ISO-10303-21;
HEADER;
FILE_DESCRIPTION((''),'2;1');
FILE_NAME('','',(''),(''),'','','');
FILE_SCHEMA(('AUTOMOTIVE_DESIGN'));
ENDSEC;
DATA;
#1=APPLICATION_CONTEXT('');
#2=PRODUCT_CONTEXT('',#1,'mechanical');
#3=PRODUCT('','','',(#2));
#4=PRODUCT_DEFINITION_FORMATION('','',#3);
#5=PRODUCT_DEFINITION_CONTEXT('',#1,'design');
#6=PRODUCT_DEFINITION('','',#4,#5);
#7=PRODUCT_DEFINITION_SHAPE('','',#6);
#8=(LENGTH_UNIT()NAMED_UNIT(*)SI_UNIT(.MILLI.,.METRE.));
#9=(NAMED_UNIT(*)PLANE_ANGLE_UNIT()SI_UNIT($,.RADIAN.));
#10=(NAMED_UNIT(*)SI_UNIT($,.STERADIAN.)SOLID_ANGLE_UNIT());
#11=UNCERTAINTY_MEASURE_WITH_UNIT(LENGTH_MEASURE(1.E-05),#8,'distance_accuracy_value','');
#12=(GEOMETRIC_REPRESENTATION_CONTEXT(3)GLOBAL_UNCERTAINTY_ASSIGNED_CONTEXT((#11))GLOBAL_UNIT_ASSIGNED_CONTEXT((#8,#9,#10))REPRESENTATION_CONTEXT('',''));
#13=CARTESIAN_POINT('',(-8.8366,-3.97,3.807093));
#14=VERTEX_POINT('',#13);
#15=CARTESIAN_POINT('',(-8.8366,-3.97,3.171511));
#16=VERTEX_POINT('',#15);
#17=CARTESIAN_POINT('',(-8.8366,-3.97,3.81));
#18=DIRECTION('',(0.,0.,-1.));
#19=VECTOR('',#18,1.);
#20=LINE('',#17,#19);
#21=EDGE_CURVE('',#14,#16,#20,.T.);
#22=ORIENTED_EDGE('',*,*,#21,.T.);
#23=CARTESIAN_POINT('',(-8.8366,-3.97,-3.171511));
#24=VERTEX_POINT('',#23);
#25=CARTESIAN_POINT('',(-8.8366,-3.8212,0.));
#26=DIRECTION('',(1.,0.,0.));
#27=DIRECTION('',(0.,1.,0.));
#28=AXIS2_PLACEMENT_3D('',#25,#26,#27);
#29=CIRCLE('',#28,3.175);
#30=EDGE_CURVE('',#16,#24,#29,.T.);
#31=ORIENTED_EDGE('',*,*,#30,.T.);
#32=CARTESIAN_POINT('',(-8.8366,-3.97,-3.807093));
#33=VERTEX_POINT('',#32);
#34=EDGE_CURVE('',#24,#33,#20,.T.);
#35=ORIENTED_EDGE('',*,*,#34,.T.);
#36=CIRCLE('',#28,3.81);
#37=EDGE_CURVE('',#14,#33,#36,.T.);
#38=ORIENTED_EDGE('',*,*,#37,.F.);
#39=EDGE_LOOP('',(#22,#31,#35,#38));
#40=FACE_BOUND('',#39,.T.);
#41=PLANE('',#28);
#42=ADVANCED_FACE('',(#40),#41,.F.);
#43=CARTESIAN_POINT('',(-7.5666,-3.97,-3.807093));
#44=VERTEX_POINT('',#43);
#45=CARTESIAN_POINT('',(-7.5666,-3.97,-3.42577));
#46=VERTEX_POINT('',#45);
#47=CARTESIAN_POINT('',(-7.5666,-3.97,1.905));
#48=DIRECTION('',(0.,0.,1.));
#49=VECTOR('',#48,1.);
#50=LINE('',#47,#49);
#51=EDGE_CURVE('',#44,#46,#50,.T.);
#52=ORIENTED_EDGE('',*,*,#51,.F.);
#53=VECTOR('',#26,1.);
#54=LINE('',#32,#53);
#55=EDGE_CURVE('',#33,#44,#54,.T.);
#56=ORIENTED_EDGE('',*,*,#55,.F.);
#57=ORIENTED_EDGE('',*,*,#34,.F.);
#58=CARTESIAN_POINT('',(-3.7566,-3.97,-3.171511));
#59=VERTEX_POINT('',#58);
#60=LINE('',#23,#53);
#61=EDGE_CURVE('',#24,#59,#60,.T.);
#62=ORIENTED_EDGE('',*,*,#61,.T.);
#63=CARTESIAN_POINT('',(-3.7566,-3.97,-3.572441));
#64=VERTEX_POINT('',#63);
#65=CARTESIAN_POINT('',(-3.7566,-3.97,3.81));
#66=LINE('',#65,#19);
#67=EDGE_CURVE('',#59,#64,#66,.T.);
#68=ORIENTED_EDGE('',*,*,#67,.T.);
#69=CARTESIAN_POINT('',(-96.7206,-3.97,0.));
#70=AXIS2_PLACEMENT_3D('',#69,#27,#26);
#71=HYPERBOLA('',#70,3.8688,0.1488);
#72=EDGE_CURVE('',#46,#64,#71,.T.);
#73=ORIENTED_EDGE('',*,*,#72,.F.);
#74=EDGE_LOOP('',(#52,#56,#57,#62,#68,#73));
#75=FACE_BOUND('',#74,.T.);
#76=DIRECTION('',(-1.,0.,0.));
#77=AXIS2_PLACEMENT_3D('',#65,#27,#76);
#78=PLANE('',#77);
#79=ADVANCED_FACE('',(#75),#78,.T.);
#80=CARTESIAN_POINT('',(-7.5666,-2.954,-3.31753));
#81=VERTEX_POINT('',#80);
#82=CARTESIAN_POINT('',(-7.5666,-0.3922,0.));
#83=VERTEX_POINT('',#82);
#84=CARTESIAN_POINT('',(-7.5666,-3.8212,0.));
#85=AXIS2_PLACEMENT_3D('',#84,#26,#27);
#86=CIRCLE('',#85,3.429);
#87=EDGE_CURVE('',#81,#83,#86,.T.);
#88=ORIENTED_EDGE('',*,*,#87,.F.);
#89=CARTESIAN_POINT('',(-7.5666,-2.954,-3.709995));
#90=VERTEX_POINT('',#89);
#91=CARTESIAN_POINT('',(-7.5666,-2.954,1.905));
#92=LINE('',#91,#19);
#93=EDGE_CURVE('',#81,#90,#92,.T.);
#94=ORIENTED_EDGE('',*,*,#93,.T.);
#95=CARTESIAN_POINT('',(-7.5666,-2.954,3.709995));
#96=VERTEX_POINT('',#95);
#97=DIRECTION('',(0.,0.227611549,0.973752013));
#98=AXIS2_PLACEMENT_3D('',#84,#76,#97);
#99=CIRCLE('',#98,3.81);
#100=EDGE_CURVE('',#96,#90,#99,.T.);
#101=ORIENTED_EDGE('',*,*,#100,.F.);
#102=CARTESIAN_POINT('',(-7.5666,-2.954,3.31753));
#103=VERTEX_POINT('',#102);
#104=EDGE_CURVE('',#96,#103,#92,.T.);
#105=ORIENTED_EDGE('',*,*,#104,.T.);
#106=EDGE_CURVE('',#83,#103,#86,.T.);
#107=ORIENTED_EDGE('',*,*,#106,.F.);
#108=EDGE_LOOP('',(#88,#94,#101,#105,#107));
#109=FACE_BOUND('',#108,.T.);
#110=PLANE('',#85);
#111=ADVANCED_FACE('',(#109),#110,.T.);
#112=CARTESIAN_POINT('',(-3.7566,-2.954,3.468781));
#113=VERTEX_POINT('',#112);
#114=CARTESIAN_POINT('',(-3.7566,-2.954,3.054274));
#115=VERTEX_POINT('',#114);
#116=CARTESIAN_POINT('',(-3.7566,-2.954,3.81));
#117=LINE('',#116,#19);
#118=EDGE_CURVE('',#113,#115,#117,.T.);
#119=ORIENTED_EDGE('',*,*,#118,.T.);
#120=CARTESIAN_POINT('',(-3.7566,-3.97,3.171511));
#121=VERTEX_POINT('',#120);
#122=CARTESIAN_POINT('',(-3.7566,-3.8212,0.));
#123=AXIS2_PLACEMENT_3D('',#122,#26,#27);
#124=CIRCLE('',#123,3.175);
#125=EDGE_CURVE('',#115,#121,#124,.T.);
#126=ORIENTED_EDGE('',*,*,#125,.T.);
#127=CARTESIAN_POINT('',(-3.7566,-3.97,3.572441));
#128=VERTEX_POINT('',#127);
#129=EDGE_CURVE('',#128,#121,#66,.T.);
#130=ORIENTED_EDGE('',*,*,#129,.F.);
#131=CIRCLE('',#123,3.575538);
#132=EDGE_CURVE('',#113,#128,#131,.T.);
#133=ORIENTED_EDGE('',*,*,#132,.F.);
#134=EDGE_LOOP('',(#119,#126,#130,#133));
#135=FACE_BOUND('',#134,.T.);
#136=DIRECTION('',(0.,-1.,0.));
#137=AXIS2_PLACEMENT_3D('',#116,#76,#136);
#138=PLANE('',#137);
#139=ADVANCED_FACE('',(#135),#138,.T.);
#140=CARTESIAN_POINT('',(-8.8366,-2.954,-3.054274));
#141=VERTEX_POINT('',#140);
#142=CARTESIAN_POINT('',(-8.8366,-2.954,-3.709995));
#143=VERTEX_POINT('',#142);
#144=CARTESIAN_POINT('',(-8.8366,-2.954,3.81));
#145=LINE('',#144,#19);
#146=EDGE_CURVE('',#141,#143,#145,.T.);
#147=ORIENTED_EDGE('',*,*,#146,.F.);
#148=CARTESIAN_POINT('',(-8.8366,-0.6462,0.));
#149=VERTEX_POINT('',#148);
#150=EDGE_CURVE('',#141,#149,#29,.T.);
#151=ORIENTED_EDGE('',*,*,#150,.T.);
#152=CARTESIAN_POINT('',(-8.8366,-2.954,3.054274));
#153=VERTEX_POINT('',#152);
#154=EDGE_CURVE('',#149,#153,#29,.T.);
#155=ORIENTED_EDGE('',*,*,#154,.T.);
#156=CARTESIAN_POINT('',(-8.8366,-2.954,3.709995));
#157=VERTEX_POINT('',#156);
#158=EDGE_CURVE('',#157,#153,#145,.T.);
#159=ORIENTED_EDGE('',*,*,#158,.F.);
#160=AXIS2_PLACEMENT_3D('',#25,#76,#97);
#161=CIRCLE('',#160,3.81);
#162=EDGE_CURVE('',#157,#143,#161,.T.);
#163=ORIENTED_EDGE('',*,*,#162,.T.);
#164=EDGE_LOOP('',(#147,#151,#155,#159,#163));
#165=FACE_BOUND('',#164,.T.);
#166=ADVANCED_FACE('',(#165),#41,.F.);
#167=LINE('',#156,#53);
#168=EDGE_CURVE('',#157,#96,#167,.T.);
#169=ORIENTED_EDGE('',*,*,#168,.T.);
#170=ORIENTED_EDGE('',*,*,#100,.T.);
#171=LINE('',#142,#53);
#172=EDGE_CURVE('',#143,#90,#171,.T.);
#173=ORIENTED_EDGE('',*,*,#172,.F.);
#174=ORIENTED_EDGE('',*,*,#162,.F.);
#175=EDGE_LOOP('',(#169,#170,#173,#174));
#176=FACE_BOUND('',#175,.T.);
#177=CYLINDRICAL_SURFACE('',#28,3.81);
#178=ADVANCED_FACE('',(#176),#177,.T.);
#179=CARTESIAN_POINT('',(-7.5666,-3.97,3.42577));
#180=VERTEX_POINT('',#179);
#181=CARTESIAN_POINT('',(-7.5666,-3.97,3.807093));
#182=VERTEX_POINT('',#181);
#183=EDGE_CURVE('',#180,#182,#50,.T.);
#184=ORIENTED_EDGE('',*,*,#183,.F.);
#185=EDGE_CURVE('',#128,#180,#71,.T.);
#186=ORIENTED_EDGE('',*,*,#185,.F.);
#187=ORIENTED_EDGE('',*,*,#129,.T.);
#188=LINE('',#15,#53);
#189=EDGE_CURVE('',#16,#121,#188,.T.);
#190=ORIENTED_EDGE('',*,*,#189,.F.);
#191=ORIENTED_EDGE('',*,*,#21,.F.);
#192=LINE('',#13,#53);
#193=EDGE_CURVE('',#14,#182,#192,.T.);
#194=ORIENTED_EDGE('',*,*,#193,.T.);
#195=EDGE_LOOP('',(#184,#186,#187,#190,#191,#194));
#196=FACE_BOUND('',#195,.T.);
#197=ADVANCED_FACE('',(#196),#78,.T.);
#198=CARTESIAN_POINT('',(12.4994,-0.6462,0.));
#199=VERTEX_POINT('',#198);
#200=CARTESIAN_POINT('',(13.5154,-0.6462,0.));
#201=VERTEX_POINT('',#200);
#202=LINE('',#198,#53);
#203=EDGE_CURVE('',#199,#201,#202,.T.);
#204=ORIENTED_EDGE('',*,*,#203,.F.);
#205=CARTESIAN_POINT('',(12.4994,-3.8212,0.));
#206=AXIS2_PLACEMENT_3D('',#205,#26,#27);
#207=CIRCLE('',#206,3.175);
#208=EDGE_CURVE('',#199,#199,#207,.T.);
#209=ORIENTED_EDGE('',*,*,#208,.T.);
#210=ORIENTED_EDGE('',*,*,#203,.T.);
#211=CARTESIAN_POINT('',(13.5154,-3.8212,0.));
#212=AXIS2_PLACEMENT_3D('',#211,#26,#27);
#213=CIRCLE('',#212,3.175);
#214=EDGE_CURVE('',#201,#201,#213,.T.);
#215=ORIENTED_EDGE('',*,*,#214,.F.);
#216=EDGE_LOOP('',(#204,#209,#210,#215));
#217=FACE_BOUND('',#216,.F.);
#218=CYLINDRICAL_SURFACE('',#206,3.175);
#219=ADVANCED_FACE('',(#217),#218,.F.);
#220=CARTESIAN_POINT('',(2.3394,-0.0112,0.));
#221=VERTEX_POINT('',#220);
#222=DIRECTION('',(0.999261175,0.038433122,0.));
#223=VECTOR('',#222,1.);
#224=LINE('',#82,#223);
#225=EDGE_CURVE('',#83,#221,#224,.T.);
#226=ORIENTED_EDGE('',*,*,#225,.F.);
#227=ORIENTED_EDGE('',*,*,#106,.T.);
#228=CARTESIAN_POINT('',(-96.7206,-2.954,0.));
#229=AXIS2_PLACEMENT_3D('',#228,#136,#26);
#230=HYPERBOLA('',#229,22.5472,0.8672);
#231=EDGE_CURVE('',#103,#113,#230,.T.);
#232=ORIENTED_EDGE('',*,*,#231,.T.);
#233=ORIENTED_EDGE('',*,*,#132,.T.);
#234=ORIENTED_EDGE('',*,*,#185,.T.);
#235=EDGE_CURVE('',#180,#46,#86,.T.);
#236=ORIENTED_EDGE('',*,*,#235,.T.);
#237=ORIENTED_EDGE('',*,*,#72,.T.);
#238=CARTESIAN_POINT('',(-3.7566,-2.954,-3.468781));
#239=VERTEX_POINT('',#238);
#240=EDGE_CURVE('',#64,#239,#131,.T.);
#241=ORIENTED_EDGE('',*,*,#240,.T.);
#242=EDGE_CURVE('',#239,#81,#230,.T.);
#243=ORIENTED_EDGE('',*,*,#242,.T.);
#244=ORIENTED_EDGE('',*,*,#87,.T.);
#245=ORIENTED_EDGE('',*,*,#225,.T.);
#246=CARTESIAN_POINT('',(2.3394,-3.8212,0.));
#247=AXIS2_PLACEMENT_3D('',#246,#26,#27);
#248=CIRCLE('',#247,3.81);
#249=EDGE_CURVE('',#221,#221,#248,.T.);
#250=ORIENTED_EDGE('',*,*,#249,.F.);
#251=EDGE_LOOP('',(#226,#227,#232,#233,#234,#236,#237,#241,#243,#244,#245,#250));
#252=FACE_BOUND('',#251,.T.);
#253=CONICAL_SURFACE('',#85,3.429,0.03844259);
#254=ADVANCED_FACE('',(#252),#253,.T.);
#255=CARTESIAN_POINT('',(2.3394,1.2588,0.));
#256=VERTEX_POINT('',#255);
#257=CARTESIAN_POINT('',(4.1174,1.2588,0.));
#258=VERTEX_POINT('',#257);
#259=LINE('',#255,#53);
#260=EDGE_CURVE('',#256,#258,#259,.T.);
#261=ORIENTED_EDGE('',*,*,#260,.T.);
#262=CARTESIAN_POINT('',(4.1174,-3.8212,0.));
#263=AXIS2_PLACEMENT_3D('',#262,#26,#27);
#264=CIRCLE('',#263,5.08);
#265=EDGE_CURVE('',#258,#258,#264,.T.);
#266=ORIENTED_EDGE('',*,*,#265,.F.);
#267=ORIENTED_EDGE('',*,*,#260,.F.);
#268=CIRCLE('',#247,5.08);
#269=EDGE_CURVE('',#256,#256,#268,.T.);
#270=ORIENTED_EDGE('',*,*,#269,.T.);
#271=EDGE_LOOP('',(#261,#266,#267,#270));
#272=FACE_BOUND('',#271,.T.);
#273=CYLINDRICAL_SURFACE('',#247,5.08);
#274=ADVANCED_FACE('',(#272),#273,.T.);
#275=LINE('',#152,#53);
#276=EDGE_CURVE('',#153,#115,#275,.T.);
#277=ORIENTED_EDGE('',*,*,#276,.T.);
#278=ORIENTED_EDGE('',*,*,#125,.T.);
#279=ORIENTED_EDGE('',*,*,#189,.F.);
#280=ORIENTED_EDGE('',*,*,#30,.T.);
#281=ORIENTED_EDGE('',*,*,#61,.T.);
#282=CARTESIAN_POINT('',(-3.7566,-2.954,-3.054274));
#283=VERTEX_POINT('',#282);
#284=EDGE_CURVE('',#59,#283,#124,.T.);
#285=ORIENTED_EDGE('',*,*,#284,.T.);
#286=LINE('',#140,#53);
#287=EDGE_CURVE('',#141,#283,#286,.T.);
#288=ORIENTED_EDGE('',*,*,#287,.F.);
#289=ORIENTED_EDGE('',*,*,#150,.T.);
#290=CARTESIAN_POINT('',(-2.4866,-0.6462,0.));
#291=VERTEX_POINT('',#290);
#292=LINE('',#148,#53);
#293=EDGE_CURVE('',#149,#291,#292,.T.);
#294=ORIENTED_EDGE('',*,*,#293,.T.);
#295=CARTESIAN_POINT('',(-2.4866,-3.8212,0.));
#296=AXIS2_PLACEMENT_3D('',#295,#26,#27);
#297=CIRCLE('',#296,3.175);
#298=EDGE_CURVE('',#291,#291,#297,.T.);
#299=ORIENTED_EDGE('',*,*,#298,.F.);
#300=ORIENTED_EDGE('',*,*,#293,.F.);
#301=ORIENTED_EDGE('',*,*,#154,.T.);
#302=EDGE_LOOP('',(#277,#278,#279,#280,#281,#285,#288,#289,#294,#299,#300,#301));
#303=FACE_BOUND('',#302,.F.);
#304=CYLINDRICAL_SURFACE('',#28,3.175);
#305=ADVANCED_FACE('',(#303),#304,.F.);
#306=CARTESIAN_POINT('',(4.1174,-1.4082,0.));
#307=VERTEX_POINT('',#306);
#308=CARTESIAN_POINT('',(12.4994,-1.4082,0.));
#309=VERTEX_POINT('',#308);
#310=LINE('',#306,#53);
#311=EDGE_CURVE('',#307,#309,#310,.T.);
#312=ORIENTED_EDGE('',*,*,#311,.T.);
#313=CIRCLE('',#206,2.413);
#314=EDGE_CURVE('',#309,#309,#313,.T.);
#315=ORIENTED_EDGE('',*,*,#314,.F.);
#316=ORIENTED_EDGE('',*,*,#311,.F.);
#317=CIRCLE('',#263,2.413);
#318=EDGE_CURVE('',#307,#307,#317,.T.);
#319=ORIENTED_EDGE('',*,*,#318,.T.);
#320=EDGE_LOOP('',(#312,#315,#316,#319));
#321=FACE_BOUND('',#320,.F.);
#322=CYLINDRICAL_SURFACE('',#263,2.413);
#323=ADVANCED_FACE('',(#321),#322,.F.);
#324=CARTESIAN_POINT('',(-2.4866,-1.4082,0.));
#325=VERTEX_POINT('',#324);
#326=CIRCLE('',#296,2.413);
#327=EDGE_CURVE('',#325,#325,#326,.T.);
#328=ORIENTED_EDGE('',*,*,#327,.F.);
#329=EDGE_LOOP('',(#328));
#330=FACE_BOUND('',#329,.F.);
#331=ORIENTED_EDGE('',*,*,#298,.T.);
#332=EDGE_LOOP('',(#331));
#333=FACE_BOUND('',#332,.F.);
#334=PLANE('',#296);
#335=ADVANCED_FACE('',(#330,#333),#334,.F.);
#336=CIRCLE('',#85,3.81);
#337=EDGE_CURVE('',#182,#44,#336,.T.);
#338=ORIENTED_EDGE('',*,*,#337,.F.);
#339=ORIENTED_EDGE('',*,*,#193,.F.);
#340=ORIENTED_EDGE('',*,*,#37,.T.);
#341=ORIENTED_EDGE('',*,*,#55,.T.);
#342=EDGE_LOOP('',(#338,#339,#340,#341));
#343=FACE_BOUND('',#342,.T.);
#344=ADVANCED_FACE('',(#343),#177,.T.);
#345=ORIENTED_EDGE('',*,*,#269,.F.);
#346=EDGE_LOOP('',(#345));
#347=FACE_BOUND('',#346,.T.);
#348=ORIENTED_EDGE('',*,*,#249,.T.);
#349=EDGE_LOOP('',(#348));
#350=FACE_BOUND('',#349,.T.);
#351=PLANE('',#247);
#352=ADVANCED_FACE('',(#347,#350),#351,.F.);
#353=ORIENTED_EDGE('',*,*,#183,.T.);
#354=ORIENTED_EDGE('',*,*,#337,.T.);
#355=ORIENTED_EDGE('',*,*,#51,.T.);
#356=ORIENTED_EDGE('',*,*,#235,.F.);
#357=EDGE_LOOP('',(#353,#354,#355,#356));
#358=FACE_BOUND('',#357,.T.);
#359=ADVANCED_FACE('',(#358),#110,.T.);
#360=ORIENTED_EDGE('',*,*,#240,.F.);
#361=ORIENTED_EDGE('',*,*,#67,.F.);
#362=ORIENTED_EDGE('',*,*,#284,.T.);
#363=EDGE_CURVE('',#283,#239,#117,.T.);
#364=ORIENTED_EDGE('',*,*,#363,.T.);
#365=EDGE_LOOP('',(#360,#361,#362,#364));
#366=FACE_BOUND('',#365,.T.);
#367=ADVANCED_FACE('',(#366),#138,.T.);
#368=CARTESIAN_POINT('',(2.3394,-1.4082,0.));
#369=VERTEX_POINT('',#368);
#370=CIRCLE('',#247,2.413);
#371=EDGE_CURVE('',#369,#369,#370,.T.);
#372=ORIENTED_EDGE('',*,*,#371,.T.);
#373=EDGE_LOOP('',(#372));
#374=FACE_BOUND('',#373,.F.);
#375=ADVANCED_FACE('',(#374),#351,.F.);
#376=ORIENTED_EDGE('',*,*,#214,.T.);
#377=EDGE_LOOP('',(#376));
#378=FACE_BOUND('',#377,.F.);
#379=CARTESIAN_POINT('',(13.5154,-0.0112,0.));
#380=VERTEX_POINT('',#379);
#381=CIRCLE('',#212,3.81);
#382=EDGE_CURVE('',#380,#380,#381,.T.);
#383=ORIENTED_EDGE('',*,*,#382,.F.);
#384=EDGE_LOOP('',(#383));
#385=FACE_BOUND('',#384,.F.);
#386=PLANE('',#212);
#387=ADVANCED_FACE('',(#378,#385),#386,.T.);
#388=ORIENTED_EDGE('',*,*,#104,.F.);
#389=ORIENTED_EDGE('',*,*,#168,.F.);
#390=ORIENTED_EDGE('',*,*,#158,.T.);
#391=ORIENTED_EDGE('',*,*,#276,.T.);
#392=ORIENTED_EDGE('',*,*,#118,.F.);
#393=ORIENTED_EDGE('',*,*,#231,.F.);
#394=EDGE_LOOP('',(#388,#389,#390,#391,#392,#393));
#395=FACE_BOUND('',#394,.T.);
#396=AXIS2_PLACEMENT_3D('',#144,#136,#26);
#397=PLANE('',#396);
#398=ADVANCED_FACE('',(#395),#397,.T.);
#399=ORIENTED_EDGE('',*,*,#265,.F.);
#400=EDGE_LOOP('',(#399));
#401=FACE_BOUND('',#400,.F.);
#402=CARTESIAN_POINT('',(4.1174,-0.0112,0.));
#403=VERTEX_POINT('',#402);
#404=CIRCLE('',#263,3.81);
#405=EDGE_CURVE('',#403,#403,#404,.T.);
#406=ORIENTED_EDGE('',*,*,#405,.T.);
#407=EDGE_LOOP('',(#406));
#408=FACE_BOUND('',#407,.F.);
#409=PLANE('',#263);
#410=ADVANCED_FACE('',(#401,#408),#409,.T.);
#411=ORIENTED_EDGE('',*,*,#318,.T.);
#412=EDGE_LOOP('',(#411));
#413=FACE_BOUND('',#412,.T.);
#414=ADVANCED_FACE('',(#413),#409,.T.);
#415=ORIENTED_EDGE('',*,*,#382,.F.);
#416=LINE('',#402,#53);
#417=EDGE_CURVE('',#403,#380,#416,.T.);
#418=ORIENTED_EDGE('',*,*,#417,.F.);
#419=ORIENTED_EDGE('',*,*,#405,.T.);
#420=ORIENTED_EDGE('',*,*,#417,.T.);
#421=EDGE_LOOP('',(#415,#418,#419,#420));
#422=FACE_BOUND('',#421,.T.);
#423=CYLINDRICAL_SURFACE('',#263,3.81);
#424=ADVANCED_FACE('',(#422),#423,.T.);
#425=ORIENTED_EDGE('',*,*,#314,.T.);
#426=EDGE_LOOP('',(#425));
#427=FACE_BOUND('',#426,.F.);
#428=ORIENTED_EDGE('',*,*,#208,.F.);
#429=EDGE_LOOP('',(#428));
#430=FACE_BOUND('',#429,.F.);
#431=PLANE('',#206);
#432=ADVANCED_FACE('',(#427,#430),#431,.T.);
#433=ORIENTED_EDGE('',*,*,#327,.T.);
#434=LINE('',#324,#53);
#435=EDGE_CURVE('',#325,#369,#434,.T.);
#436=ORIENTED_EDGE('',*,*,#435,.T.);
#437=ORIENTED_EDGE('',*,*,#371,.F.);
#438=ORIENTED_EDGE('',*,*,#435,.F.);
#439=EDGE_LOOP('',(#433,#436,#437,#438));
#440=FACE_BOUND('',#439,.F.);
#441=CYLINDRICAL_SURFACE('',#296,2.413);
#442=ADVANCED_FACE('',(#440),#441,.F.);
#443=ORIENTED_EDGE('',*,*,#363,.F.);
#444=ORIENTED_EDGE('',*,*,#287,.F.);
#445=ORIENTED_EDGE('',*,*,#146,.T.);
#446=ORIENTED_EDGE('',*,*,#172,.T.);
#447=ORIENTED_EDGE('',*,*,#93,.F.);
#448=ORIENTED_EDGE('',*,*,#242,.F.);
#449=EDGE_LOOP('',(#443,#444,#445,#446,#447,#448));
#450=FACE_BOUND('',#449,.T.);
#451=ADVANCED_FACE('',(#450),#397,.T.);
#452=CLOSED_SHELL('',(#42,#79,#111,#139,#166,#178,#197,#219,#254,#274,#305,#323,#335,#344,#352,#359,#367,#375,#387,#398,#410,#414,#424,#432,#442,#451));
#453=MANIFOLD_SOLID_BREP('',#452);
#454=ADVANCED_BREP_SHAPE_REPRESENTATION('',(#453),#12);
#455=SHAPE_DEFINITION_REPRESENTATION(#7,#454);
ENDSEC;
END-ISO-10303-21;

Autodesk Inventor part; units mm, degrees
ref_plane "YZ Plane" through (0, 0, 0) normal (1, 0, 0) x (0, 1, 0)
ref_plane "XZ Plane" through (0, 0, 0) normal (0, 1, 0) x (-1, 0, 0)
sketch "Sketch1" plane through (0, 0, 0) normal (0, 0, 1) x (1, 0, 0)
  line L0 (-8.8366, -0.0112) -> (13.5154, -0.0112) construction
  line L1 (-8.8366, -0.6462) -> (-2.4866, -0.6462)
  line L2 (-2.4866, -0.6462) -> (-2.4866, -1.4082)
  line L3 (-2.4866, -1.4082) -> (2.3394, -1.4082)
  line L4 (-8.8366, 1.2588) -> (13.5154, 1.2588) construction
  line L5 (-8.8366, -8.9012) -> (-7.5666, -8.9012) construction
  line L6 (2.3394, -1.4082) -> (2.3394, -3.8212)
  line L7 (4.1174, -1.4082) -> (4.1174, -3.8212)
  line L8 (4.1174, -1.4082) -> (12.4994, -1.4082)
  line L9 (12.4994, -1.4082) -> (12.4994, -0.6462)
  line L10 (12.4994, -0.6462) -> (13.5154, -0.6462)
  line L11 (13.5154, -0.6462) -> (13.5154, -0.0112)
  line L12 (-8.8366, -0.6462) -> (-8.8366, -0.0112)
  line L13 (-8.8366, -0.0112) -> (-7.5666, -0.0112)
  line L14 (-7.5666, -0.0112) -> (-7.5666, -0.3922)
  line L15 (-7.5666, -0.3922) -> (2.3394, -0.0112)
  line L16 (2.3394, -0.0112) -> (2.3394, 1.2588)
  line L17 (2.3394, 1.2588) -> (4.1174, 1.2588)
  line L18 (4.1174, -0.0112) -> (4.1174, 1.2588)
  line L19 (4.1174, -0.0112) -> (13.5154, -0.0112)
  line L20 (-8.8366, -3.8212) -> (15.1492, -3.8212) construction
  line L21 (4.1174, -7.6312) -> (4.1174, -7.6996)
  line L22 (2.3394, -3.8212) -> (4.1174, -3.8212)
  point P0 (0, 0)
  dimension "d0" = 22.352
  dimension "d4" = 0.635
  dimension "d7" = 0.762
  dimension "d11" = 1.27
  dimension "d15" = 8.382
  dimension "d17" = 0.762
  dimension "d18" = 1.27
  dimension "d19" = 0.381
  dimension "d21" = 90
  dimension "d22" = 1.016
  dimension "d23" = 9.398
  dimension "d24" = 9.398
  dimension "d25" = 11.176
  dimension "d26" = 16.002
  dimension "d27" = 1.905
  dimension "d28" = 3.175
  dimension "d29" = 8.255
  dimension "d30" = 13.5154
  dimension "d31" = 0.6462
  dimension "d32" = 1.6337
  dimension "d33" = 0
  dimension "d34" = 6.985
  dimension "d35" = 7.0534
  dimension "d36" = 22.352
  dimension "d37" = 22.352
revolve "Revolution1" add sketch "Sketch1" angle 360 about axis through (-8.8366, -3.8212, 0) along (1, 0, 0)
ref_plane "Work Plane1" through (-8.2016, -3.8212, 3.81) normal (0, 0, 1) x (1, 0, 0)
sketch "Sketch2" plane through (-8.2016, -3.8212, 3.81) normal (0, 0, 1) x (1, 0, 0)
  line L0 (-0.635, -3.81) -> (-0.635, 3.81) projected
  line L1 (-0.635, 0.8672) -> (4.445, 0.8672)
  line L2 (4.445, 0.8672) -> (4.445, -0.1488)
  line L3 (4.445, -0.1488) -> (-0.635, -0.1488)
  point P0 (8.2016, 3.8212)
  dimension "d44" = 5.08
  dimension "d45" = 1.016
  dimension "d46" = 2.9541
extrude "Extrusion1" cut sketch "Sketch2" against normal through all
properties part number "AHHHHHHHHHHHHHHHHHHH" material "ABS Plastic"
